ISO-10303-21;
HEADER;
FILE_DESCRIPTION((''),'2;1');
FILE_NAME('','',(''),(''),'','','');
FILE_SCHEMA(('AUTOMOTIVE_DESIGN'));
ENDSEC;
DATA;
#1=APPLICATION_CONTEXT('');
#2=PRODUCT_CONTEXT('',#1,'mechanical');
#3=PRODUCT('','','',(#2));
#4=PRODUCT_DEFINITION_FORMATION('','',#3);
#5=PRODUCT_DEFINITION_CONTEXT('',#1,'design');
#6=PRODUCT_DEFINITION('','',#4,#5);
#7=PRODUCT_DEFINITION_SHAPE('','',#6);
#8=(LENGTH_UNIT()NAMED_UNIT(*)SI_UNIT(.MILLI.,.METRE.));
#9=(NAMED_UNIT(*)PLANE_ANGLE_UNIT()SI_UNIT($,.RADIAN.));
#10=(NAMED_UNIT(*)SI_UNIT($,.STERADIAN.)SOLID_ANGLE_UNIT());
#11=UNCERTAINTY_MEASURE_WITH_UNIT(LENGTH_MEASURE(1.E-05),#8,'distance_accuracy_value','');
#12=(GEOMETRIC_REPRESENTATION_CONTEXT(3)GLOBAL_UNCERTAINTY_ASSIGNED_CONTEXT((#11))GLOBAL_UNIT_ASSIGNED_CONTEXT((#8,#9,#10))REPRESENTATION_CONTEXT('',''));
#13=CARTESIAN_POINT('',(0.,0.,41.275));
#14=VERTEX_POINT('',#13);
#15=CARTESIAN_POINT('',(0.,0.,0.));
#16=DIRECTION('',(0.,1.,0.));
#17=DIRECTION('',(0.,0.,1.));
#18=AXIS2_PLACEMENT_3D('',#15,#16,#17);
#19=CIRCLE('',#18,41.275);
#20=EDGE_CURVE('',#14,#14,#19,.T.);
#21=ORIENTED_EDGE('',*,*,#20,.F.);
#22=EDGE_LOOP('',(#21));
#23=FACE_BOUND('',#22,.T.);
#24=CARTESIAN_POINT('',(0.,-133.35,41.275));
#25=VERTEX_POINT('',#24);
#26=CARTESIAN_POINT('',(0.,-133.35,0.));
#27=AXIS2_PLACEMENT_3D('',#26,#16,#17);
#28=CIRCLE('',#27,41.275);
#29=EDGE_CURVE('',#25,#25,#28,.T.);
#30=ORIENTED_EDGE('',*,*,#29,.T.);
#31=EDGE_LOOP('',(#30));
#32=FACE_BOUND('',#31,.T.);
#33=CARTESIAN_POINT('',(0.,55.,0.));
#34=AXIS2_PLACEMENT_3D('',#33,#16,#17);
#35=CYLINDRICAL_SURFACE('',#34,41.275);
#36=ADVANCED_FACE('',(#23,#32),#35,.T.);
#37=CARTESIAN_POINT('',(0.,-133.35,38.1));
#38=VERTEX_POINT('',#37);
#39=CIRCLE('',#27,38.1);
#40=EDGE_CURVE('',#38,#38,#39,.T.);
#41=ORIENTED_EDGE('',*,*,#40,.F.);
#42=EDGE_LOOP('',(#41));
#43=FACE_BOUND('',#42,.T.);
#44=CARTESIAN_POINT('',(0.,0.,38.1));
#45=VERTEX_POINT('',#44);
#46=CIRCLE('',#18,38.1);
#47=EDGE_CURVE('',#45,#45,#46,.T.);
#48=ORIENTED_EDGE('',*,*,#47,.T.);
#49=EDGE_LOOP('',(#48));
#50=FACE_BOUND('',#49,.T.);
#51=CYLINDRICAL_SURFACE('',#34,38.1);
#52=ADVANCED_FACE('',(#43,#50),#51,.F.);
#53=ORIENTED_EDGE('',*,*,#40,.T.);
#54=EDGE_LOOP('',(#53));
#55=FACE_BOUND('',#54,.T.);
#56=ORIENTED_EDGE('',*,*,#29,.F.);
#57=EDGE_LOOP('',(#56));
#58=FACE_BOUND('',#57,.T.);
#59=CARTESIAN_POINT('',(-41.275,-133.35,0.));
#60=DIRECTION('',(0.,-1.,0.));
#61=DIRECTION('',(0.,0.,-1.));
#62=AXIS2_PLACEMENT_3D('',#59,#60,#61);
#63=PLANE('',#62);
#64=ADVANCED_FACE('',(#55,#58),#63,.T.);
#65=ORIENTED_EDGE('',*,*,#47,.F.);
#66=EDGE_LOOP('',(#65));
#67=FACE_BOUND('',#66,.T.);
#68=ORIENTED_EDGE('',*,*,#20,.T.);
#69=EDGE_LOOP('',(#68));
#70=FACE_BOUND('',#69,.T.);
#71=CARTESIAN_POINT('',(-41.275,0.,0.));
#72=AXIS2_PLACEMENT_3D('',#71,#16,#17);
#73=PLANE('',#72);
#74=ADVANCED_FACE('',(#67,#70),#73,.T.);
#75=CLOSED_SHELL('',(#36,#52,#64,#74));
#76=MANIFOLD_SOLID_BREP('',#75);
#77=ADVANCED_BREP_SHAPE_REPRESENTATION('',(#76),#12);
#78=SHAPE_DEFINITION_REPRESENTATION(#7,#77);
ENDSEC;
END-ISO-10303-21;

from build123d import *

# Parameters (mm, degrees)
SKETCH2_W = 3.175
SKETCH2_H = 133.35


with BuildPart() as part:
    # Sketch2 → Revolve1 (revolve)
    with BuildSketch(Plane.XY):
        with Locations((-39.6875, -66.675)):
            Rectangle(SKETCH2_W, SKETCH2_H)
    revolve(axis=Axis((0, 55, 0), (0, -1, 0)))


solid = part.part
